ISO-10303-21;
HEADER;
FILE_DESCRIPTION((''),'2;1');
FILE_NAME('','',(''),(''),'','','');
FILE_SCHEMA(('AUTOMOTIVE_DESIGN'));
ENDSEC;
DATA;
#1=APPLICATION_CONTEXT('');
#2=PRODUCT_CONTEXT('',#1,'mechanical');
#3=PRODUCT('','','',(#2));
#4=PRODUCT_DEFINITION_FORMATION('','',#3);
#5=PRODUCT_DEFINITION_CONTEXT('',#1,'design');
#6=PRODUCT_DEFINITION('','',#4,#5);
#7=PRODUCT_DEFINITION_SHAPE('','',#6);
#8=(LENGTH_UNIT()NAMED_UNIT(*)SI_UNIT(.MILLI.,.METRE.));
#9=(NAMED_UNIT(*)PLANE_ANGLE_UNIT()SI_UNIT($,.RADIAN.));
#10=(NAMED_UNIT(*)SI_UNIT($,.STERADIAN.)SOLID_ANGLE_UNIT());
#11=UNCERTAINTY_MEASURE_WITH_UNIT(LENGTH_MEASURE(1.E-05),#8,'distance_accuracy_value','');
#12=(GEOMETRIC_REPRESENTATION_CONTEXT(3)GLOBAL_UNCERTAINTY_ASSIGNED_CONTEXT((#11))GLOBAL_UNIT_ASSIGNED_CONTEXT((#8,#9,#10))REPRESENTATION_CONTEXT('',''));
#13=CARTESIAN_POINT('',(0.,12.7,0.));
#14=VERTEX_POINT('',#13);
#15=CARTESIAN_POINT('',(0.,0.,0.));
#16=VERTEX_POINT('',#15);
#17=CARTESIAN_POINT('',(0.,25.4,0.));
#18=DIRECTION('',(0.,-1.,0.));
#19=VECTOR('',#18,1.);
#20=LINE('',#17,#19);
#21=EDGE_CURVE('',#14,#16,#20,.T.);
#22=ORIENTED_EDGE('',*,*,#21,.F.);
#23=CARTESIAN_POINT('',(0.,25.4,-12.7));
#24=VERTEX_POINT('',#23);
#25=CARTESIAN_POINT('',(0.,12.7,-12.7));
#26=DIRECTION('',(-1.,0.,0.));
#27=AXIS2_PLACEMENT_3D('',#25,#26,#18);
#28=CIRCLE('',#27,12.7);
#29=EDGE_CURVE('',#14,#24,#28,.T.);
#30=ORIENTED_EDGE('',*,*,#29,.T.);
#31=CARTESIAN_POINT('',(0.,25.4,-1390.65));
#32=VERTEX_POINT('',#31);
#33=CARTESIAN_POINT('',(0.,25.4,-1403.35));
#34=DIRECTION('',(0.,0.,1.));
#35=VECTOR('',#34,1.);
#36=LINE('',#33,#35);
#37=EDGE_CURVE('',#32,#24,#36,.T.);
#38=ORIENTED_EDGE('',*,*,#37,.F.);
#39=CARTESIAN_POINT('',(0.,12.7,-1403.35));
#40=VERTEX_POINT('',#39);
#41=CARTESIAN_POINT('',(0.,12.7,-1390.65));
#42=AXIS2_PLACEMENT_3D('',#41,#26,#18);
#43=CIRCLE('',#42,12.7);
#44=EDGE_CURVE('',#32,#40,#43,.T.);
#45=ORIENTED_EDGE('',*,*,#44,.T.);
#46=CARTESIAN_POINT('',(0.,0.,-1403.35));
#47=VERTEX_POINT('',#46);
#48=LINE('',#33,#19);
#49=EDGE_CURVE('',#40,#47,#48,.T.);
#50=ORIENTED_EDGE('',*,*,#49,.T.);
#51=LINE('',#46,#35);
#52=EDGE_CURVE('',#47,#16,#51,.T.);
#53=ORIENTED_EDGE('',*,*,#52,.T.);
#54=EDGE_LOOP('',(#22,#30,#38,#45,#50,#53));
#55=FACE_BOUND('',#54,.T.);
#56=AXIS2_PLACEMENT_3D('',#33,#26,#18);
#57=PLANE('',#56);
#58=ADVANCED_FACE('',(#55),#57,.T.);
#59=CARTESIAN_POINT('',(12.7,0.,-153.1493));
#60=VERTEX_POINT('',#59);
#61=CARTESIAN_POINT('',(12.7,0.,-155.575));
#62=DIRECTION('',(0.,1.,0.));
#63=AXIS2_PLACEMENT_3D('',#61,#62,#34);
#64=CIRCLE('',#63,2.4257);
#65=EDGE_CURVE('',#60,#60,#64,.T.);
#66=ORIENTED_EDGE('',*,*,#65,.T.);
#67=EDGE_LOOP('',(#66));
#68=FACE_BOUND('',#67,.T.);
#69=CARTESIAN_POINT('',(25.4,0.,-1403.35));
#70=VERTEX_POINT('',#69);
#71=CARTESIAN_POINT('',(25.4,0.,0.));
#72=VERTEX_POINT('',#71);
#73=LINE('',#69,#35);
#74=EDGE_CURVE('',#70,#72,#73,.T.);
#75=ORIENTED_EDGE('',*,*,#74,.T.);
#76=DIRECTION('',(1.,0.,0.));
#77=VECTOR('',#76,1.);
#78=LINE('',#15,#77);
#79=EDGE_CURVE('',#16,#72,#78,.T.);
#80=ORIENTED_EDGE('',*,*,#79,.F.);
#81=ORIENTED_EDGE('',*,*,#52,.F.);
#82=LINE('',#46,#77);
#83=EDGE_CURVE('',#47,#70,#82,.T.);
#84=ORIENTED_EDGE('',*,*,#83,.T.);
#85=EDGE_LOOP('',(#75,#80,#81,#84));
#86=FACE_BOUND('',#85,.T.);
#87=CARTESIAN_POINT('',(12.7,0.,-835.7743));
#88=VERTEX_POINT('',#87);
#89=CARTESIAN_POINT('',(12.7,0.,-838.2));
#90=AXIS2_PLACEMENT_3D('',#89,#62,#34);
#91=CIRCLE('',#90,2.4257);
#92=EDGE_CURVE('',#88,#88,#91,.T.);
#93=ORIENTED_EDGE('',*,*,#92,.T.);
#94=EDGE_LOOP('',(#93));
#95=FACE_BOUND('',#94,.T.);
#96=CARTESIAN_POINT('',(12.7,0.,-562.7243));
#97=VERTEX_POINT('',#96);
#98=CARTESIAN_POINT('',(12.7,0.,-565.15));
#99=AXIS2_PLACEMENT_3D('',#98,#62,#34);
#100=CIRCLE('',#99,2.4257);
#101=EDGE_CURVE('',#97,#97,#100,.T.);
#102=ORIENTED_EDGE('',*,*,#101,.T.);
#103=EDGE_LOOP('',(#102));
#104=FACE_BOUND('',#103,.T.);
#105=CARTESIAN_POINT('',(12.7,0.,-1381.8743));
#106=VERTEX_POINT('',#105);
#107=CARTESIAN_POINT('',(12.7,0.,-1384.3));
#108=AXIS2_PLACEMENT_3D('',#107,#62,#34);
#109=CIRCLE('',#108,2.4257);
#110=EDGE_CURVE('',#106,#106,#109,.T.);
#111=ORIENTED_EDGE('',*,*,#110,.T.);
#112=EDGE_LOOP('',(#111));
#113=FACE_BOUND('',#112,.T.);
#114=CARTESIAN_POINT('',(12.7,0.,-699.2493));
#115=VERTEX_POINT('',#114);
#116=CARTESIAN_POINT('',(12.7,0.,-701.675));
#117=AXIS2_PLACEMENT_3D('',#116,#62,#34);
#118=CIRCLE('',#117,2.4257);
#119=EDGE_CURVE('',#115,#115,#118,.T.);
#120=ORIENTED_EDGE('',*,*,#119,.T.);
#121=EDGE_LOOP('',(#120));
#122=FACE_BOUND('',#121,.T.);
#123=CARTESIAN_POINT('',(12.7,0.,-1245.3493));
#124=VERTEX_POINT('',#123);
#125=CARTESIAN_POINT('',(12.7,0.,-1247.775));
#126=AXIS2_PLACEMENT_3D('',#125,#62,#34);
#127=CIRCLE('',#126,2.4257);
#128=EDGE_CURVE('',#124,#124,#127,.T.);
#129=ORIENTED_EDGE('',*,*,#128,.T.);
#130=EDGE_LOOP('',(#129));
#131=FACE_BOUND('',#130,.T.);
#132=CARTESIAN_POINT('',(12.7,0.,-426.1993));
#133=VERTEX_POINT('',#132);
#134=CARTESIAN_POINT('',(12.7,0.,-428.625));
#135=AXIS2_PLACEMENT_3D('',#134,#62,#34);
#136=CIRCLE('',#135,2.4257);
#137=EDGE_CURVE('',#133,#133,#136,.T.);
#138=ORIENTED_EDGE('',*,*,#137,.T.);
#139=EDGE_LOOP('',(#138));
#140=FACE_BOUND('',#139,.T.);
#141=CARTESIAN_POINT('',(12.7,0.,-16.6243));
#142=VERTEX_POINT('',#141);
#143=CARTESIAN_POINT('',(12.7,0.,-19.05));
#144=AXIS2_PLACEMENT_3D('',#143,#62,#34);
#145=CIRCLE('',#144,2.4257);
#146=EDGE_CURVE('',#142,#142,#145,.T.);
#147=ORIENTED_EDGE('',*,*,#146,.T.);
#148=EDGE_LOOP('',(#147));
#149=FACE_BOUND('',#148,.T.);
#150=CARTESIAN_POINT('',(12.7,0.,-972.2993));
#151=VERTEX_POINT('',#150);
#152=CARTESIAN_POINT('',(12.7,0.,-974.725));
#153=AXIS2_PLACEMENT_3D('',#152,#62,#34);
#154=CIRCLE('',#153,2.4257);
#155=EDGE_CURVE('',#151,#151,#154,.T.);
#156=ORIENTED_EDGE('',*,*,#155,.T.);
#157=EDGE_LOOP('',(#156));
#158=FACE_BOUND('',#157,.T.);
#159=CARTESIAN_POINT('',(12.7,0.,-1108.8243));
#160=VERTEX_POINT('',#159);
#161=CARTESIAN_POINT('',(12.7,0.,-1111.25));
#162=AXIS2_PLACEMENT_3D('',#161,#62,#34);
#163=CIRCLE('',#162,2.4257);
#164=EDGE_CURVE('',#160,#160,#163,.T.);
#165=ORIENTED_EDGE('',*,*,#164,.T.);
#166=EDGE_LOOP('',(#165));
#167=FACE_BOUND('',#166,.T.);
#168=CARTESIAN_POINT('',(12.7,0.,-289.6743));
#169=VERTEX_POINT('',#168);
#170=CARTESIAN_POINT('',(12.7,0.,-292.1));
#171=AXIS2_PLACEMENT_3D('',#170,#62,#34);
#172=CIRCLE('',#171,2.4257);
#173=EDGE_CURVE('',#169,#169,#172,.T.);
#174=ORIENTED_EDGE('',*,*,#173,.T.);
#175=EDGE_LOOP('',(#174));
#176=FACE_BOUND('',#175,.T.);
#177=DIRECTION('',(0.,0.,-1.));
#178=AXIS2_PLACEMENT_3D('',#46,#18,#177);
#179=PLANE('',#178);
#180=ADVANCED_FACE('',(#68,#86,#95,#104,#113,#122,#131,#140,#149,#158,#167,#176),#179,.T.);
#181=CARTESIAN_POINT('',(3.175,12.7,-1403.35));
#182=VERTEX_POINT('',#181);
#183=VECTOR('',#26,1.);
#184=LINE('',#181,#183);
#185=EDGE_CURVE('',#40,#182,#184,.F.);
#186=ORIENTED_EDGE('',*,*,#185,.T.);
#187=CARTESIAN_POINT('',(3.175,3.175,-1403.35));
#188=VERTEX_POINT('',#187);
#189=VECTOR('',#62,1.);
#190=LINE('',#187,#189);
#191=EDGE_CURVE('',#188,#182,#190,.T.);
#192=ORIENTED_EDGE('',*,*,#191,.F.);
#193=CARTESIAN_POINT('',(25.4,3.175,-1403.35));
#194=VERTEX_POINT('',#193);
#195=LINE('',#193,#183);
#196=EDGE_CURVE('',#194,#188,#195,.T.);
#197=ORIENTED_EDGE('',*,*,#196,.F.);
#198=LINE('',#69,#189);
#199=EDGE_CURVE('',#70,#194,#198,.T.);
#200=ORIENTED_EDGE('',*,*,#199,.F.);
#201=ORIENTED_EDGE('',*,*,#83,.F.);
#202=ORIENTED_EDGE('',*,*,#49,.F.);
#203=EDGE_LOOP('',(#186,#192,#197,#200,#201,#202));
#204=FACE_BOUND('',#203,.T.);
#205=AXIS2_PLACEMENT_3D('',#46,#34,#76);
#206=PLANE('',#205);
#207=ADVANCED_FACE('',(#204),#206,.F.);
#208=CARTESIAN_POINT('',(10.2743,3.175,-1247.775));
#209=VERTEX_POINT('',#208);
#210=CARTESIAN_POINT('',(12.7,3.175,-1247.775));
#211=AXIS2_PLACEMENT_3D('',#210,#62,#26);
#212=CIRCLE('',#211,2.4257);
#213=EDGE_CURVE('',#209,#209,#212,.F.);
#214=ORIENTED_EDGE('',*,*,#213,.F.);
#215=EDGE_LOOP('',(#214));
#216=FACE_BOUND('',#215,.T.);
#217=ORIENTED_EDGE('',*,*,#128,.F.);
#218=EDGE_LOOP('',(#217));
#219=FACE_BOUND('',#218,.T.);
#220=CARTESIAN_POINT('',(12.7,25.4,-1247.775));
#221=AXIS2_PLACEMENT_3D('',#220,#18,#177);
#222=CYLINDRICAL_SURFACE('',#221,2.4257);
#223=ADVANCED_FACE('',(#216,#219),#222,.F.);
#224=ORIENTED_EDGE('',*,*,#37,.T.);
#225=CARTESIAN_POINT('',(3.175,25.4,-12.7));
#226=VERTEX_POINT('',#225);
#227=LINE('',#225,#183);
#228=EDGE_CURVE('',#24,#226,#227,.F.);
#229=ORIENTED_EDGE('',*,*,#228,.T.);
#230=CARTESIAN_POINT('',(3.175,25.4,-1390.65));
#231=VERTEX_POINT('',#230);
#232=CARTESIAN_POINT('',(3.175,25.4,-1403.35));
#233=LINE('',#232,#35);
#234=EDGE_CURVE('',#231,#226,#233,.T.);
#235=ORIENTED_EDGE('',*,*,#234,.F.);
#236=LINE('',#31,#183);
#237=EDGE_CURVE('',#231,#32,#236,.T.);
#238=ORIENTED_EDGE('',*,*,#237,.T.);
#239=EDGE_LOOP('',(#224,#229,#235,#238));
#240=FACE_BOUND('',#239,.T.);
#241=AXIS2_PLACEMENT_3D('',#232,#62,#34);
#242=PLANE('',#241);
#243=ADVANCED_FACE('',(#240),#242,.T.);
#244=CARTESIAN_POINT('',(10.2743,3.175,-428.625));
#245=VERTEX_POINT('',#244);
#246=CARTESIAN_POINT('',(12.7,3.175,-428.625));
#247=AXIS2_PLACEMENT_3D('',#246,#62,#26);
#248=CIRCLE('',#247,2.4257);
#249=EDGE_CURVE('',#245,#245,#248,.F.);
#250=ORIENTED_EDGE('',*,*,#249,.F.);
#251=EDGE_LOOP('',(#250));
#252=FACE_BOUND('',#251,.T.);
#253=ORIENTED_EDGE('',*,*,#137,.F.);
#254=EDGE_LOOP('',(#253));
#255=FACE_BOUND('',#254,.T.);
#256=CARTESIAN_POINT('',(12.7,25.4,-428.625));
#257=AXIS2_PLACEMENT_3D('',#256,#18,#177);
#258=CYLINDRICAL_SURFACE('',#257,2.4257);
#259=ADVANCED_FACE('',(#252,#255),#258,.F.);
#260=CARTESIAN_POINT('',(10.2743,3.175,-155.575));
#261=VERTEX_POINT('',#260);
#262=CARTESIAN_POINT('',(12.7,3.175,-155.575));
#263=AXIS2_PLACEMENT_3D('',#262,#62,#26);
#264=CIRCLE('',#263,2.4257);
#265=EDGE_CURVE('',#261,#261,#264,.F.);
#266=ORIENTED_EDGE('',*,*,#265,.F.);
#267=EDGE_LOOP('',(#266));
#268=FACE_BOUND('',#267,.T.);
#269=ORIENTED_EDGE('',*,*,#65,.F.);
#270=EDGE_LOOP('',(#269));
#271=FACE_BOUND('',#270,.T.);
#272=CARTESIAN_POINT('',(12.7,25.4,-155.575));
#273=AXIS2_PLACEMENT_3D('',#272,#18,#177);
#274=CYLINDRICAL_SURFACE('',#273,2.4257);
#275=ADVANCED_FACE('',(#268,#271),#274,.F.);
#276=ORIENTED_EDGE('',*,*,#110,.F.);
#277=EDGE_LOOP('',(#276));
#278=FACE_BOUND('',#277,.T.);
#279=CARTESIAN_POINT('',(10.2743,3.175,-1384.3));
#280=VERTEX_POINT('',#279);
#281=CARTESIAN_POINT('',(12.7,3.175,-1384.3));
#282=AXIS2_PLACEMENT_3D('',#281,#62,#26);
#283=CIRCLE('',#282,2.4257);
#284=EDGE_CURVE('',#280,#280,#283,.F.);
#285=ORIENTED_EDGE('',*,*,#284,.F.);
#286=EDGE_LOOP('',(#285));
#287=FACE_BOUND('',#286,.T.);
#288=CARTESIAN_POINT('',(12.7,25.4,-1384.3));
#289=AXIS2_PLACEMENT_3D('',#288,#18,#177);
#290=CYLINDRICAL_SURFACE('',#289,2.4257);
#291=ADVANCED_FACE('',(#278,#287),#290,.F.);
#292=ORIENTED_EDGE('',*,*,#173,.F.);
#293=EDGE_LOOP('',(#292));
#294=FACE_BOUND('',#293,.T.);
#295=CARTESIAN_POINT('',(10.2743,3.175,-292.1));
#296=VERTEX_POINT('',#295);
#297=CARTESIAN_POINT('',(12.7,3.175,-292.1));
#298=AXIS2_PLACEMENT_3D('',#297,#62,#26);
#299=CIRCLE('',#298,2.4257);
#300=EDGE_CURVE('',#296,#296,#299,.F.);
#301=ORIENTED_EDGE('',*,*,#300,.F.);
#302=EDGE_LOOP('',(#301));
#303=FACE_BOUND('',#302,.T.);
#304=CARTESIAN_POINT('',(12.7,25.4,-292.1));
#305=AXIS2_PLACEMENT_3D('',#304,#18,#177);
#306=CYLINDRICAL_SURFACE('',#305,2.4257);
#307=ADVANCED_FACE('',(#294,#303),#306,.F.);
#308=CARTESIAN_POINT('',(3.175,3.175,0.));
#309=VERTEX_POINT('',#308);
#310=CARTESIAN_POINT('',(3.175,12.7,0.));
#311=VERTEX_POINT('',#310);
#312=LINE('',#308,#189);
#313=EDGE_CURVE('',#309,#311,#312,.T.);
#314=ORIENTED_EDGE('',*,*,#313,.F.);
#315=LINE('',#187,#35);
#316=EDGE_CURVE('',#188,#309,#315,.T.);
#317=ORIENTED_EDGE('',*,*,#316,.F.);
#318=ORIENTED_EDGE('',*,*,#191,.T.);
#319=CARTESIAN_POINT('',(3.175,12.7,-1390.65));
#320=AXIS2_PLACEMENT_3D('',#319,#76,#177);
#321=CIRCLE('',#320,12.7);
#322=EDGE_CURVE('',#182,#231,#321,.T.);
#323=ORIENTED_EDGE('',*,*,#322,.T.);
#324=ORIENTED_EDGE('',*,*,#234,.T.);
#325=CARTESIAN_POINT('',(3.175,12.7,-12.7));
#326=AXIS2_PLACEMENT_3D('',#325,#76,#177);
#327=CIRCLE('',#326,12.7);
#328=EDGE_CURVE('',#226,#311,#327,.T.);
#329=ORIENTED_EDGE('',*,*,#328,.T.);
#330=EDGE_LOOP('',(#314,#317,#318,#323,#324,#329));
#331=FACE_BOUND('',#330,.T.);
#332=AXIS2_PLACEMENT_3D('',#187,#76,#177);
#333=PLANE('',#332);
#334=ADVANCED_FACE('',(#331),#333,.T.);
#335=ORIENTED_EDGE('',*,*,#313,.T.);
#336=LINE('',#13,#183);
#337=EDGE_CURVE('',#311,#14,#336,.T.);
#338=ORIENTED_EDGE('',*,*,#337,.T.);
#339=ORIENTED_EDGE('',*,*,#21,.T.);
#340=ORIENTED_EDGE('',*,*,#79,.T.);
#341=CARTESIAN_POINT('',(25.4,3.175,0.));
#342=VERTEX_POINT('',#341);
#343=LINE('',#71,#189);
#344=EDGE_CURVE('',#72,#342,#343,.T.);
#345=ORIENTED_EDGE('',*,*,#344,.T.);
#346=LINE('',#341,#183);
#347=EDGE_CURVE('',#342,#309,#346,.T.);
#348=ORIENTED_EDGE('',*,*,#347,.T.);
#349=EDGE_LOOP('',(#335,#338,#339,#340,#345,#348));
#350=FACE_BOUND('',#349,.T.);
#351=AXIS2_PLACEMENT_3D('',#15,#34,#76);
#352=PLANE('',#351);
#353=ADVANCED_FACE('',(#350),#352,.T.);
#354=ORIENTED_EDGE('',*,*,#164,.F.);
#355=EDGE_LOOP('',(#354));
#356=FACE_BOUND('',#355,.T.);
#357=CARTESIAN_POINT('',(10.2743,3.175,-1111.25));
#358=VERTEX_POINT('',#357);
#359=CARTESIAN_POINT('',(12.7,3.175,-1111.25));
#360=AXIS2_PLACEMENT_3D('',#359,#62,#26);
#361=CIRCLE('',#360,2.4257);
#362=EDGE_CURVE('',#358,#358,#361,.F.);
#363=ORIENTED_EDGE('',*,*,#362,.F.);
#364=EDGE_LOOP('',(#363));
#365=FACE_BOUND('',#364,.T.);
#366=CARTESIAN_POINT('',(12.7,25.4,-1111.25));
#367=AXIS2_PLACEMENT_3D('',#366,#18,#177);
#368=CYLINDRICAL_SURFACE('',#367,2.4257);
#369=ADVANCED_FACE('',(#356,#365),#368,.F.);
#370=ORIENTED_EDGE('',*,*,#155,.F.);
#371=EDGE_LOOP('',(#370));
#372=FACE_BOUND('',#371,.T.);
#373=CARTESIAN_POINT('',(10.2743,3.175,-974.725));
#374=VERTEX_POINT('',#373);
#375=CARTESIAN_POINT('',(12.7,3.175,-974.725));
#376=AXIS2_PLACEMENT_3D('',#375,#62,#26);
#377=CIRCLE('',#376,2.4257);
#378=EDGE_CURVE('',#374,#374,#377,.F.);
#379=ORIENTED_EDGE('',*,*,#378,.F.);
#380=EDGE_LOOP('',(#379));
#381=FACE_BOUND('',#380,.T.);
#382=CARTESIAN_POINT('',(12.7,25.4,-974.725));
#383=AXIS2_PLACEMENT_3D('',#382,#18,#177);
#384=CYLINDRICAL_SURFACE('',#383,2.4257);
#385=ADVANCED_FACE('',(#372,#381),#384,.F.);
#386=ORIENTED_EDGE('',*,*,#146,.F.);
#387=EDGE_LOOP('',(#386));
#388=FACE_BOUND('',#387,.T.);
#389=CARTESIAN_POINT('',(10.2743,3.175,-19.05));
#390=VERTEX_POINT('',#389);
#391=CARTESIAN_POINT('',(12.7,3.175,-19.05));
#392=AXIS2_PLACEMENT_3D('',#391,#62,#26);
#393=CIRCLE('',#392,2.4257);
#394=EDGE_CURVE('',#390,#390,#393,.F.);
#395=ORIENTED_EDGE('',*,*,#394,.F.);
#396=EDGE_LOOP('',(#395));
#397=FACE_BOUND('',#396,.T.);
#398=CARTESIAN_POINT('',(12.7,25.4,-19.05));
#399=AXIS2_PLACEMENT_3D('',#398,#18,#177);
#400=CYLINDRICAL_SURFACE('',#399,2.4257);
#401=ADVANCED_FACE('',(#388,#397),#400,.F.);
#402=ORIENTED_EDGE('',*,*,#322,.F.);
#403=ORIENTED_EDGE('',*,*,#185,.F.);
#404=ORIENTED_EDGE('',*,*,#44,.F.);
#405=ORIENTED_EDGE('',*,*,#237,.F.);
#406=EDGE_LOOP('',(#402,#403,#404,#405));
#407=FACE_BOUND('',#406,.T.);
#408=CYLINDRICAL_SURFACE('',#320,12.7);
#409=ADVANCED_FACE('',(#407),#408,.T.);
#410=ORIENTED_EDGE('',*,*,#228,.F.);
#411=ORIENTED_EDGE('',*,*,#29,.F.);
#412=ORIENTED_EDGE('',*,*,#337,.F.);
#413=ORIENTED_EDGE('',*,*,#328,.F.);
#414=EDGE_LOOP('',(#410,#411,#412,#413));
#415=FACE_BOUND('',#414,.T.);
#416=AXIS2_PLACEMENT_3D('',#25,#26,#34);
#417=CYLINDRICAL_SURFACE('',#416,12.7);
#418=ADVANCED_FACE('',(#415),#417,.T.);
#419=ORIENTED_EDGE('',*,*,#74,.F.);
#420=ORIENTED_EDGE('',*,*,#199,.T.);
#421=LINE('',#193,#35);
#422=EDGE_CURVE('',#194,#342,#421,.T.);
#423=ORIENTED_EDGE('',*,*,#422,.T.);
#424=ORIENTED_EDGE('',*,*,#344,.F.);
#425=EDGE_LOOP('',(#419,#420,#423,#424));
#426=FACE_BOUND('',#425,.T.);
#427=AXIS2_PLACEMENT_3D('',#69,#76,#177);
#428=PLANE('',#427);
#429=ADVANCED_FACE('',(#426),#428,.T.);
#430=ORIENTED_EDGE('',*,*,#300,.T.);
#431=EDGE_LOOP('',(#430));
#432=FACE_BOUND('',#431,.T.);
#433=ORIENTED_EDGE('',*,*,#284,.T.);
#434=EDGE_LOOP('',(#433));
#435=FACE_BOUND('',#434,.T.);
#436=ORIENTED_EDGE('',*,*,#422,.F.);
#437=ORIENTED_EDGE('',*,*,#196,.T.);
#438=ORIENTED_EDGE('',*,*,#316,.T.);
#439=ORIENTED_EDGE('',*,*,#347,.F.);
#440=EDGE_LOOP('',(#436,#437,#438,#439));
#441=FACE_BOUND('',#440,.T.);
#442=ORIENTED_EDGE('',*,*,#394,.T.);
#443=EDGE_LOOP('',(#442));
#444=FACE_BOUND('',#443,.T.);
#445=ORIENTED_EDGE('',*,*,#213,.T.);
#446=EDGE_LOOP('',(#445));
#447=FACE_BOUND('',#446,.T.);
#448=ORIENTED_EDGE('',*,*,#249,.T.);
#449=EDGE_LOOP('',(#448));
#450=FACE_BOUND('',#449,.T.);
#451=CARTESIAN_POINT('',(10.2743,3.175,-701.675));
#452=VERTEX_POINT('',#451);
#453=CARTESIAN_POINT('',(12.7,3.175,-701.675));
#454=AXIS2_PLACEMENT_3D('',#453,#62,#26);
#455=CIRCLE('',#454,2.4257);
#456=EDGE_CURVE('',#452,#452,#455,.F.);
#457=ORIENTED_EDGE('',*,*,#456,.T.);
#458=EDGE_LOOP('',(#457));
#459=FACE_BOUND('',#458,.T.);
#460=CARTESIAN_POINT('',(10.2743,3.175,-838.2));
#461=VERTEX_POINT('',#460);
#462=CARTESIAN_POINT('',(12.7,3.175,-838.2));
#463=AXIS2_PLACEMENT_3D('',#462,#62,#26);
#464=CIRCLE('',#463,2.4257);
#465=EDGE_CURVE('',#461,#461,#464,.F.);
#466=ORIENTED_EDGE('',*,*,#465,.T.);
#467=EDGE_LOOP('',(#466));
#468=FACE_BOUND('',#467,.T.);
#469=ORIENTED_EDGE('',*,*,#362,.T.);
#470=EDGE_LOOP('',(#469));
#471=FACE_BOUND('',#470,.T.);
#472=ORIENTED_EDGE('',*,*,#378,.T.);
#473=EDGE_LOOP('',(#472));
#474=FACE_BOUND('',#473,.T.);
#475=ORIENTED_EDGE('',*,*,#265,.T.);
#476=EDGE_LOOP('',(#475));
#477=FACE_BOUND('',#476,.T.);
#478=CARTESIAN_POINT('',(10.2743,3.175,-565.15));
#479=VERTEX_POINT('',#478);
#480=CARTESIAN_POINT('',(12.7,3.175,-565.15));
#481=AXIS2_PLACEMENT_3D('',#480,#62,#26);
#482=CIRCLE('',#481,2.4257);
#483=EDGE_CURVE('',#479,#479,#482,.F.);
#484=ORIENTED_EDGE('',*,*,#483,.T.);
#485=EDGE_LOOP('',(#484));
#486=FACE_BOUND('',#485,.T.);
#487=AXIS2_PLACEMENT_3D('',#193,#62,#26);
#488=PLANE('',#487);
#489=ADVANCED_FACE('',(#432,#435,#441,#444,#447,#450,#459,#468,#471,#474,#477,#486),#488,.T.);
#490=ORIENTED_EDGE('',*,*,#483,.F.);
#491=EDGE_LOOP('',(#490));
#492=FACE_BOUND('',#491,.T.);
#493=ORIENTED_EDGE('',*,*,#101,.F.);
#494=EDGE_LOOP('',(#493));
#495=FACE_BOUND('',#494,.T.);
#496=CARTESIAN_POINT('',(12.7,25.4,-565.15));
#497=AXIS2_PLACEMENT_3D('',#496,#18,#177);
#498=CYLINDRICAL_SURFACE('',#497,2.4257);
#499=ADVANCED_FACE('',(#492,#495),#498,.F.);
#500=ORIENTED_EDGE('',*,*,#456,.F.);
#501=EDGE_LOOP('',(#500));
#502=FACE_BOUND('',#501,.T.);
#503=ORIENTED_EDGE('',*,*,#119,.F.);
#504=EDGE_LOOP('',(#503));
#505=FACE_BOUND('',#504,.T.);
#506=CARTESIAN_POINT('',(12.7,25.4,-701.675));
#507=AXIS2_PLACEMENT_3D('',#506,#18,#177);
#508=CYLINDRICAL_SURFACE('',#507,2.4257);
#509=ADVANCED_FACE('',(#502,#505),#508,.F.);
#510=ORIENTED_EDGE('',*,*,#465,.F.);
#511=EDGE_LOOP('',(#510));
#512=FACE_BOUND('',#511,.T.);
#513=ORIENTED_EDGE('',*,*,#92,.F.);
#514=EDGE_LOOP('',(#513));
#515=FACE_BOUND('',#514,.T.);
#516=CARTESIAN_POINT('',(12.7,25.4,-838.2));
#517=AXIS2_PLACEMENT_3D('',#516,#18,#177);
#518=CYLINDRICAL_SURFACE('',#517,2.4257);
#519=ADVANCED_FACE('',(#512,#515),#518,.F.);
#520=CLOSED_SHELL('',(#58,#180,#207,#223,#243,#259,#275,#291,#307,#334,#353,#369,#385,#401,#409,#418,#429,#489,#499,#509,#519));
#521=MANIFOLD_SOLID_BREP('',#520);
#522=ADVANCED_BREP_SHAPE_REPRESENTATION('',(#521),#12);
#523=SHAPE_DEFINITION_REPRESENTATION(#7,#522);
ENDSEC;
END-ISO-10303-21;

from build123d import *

# Parameters (mm, degrees)
EXTRUDE1_DEPTH     = 1403.35
SKETCH2_R          = 2.4257
CUT_EXTRUDE2_DEPTH = 1404.809653229
LPATTERN1_COUNT    = 11
LPATTERN1_PITCH    = 136.525
FILLET1_R          = 12.7


with BuildPart() as part:
    # Sketch1 → Extrude1 (new body)
    with BuildSketch(Plane.XY):
        Polygon((0, 0), (25.4, 0), (25.4, 3.175), (3.175, 3.175), (3.175, 25.4), (0, 25.4), align=None)
    extrude(amount=-EXTRUDE1_DEPTH)

    # Sketch2 → Cut-Extrude2 (cut, through all)
    with BuildSketch(Plane(origin=(0, 0, 0), x_dir=(1, 0, 0), z_dir=(0, 1, 0))):
        with Locations(Location((12.7, 19.05, 0), (0, 0, 180))):
            Circle(SKETCH2_R)
    cut_extrude2 = extrude(amount=CUT_EXTRUDE2_DEPTH, mode=Mode.SUBTRACT)

    # LPattern1: Cut-Extrude2 ×11
    with Locations(*[(0, 0, -i * LPATTERN1_PITCH) for i in range(1, LPATTERN1_COUNT)]):
        add(cut_extrude2, mode=Mode.SUBTRACT)

    # Fillet1
    fillet1_edges = [part.edges().sort_by_distance(p)[0] for p in [
        (1.5875, 25.4, -1403.35),
        (1.5875, 25.4, 0),
    ]]
    fillet(fillet1_edges, radius=FILLET1_R)


solid = part.part
